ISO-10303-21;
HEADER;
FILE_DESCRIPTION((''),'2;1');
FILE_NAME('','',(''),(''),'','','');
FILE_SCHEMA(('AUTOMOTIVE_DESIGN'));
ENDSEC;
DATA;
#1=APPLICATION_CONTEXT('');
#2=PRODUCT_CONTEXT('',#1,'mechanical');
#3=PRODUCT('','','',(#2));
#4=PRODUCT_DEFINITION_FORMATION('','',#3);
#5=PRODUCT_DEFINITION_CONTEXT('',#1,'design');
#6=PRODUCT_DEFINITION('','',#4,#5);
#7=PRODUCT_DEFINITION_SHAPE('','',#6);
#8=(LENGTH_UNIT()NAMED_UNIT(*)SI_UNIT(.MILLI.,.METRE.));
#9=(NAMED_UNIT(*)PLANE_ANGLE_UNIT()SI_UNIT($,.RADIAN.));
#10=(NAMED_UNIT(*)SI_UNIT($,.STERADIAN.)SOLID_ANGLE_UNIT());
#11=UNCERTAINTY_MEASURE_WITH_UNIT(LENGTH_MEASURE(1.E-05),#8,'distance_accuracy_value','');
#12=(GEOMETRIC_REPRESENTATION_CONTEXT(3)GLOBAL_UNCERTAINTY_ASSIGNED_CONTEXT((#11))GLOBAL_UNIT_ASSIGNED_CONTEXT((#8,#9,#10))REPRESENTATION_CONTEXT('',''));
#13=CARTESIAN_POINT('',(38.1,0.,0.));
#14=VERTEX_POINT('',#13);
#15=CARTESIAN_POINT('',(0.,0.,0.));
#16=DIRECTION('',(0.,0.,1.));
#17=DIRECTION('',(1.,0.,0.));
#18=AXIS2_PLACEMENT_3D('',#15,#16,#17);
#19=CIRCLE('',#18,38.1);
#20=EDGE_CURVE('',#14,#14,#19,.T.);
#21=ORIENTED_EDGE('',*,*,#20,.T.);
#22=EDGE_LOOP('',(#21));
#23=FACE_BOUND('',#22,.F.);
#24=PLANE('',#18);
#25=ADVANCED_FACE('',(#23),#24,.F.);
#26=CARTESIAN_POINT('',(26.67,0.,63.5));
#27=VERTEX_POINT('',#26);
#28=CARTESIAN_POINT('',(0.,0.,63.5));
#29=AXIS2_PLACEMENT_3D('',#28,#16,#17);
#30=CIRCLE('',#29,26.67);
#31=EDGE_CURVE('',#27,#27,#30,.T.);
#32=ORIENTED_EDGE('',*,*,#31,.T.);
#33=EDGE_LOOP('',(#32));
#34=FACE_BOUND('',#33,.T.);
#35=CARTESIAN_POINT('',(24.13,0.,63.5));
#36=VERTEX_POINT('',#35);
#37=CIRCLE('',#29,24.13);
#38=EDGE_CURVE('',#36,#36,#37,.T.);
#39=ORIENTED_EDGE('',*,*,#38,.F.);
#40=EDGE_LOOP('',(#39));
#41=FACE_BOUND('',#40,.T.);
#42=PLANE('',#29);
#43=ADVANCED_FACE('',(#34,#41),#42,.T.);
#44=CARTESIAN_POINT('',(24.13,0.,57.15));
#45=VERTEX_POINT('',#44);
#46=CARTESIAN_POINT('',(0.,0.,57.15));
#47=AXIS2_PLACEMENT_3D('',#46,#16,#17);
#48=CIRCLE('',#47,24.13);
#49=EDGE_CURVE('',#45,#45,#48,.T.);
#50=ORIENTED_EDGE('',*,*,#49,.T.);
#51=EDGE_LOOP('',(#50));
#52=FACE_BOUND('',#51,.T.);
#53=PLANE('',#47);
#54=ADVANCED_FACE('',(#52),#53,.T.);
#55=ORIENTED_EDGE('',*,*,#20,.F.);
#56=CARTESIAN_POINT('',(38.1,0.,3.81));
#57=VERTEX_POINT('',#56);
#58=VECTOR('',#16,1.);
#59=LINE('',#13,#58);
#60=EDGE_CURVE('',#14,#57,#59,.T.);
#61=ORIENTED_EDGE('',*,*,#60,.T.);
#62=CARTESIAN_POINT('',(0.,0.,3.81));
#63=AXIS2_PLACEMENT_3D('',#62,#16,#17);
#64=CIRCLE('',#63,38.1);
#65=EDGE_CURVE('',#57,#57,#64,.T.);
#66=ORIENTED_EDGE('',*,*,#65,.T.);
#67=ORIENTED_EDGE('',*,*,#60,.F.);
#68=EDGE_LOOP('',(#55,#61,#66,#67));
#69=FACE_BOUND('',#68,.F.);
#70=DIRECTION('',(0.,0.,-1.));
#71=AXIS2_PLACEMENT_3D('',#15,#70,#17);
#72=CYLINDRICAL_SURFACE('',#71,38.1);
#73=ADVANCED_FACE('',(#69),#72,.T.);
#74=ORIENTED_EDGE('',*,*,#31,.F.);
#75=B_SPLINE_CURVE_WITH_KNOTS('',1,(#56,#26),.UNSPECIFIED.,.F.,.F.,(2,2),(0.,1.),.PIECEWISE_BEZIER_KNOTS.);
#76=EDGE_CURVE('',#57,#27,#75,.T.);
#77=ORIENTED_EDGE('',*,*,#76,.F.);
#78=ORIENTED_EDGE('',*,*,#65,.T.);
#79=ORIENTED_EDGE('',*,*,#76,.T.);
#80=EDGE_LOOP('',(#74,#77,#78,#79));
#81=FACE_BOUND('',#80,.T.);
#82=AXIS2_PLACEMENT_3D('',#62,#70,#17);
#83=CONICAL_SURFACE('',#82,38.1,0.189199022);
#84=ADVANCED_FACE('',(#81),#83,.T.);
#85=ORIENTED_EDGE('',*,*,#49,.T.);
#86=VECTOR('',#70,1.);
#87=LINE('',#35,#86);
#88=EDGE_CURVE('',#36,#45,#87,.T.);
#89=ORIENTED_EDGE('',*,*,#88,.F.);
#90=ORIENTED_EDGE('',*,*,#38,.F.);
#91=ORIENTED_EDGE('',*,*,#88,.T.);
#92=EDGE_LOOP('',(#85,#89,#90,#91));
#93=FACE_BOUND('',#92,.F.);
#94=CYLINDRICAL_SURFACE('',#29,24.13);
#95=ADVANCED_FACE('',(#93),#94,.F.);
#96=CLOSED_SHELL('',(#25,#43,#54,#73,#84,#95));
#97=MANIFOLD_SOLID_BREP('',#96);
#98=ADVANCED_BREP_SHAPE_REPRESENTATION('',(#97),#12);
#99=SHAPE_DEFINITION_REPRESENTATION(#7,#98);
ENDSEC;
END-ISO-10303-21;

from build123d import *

# Parameters (mm, degrees)
F0_R      = 38.1
F1_DEPTH  = 3.81
F1_FACE_R = 38.1
F3_R      = 26.67
F5_R      = 24.13
F6_DEPTH  = 6.35


with BuildPart() as f1:
    # F0 (on Top) → F1 (new body)
    with BuildSketch(Plane.XY):
        Circle(F0_R)
    extrude(amount=F1_DEPTH)

    # F1_face (on face) → F4 section 0
    with BuildSketch(Plane.XY.offset(3.81)):
        Circle(F1_FACE_R)
    # F3 (on offset) → F4 section 1
    with BuildSketch(Plane.XY.offset(63.5)):
        Circle(F3_R)
    loft()

    # F5 (on face) → F6 (cut)
    with BuildSketch(Plane.XY.offset(63.5)):
        Circle(F5_R)
    extrude(amount=-F6_DEPTH, mode=Mode.SUBTRACT)


solid = f1.part
